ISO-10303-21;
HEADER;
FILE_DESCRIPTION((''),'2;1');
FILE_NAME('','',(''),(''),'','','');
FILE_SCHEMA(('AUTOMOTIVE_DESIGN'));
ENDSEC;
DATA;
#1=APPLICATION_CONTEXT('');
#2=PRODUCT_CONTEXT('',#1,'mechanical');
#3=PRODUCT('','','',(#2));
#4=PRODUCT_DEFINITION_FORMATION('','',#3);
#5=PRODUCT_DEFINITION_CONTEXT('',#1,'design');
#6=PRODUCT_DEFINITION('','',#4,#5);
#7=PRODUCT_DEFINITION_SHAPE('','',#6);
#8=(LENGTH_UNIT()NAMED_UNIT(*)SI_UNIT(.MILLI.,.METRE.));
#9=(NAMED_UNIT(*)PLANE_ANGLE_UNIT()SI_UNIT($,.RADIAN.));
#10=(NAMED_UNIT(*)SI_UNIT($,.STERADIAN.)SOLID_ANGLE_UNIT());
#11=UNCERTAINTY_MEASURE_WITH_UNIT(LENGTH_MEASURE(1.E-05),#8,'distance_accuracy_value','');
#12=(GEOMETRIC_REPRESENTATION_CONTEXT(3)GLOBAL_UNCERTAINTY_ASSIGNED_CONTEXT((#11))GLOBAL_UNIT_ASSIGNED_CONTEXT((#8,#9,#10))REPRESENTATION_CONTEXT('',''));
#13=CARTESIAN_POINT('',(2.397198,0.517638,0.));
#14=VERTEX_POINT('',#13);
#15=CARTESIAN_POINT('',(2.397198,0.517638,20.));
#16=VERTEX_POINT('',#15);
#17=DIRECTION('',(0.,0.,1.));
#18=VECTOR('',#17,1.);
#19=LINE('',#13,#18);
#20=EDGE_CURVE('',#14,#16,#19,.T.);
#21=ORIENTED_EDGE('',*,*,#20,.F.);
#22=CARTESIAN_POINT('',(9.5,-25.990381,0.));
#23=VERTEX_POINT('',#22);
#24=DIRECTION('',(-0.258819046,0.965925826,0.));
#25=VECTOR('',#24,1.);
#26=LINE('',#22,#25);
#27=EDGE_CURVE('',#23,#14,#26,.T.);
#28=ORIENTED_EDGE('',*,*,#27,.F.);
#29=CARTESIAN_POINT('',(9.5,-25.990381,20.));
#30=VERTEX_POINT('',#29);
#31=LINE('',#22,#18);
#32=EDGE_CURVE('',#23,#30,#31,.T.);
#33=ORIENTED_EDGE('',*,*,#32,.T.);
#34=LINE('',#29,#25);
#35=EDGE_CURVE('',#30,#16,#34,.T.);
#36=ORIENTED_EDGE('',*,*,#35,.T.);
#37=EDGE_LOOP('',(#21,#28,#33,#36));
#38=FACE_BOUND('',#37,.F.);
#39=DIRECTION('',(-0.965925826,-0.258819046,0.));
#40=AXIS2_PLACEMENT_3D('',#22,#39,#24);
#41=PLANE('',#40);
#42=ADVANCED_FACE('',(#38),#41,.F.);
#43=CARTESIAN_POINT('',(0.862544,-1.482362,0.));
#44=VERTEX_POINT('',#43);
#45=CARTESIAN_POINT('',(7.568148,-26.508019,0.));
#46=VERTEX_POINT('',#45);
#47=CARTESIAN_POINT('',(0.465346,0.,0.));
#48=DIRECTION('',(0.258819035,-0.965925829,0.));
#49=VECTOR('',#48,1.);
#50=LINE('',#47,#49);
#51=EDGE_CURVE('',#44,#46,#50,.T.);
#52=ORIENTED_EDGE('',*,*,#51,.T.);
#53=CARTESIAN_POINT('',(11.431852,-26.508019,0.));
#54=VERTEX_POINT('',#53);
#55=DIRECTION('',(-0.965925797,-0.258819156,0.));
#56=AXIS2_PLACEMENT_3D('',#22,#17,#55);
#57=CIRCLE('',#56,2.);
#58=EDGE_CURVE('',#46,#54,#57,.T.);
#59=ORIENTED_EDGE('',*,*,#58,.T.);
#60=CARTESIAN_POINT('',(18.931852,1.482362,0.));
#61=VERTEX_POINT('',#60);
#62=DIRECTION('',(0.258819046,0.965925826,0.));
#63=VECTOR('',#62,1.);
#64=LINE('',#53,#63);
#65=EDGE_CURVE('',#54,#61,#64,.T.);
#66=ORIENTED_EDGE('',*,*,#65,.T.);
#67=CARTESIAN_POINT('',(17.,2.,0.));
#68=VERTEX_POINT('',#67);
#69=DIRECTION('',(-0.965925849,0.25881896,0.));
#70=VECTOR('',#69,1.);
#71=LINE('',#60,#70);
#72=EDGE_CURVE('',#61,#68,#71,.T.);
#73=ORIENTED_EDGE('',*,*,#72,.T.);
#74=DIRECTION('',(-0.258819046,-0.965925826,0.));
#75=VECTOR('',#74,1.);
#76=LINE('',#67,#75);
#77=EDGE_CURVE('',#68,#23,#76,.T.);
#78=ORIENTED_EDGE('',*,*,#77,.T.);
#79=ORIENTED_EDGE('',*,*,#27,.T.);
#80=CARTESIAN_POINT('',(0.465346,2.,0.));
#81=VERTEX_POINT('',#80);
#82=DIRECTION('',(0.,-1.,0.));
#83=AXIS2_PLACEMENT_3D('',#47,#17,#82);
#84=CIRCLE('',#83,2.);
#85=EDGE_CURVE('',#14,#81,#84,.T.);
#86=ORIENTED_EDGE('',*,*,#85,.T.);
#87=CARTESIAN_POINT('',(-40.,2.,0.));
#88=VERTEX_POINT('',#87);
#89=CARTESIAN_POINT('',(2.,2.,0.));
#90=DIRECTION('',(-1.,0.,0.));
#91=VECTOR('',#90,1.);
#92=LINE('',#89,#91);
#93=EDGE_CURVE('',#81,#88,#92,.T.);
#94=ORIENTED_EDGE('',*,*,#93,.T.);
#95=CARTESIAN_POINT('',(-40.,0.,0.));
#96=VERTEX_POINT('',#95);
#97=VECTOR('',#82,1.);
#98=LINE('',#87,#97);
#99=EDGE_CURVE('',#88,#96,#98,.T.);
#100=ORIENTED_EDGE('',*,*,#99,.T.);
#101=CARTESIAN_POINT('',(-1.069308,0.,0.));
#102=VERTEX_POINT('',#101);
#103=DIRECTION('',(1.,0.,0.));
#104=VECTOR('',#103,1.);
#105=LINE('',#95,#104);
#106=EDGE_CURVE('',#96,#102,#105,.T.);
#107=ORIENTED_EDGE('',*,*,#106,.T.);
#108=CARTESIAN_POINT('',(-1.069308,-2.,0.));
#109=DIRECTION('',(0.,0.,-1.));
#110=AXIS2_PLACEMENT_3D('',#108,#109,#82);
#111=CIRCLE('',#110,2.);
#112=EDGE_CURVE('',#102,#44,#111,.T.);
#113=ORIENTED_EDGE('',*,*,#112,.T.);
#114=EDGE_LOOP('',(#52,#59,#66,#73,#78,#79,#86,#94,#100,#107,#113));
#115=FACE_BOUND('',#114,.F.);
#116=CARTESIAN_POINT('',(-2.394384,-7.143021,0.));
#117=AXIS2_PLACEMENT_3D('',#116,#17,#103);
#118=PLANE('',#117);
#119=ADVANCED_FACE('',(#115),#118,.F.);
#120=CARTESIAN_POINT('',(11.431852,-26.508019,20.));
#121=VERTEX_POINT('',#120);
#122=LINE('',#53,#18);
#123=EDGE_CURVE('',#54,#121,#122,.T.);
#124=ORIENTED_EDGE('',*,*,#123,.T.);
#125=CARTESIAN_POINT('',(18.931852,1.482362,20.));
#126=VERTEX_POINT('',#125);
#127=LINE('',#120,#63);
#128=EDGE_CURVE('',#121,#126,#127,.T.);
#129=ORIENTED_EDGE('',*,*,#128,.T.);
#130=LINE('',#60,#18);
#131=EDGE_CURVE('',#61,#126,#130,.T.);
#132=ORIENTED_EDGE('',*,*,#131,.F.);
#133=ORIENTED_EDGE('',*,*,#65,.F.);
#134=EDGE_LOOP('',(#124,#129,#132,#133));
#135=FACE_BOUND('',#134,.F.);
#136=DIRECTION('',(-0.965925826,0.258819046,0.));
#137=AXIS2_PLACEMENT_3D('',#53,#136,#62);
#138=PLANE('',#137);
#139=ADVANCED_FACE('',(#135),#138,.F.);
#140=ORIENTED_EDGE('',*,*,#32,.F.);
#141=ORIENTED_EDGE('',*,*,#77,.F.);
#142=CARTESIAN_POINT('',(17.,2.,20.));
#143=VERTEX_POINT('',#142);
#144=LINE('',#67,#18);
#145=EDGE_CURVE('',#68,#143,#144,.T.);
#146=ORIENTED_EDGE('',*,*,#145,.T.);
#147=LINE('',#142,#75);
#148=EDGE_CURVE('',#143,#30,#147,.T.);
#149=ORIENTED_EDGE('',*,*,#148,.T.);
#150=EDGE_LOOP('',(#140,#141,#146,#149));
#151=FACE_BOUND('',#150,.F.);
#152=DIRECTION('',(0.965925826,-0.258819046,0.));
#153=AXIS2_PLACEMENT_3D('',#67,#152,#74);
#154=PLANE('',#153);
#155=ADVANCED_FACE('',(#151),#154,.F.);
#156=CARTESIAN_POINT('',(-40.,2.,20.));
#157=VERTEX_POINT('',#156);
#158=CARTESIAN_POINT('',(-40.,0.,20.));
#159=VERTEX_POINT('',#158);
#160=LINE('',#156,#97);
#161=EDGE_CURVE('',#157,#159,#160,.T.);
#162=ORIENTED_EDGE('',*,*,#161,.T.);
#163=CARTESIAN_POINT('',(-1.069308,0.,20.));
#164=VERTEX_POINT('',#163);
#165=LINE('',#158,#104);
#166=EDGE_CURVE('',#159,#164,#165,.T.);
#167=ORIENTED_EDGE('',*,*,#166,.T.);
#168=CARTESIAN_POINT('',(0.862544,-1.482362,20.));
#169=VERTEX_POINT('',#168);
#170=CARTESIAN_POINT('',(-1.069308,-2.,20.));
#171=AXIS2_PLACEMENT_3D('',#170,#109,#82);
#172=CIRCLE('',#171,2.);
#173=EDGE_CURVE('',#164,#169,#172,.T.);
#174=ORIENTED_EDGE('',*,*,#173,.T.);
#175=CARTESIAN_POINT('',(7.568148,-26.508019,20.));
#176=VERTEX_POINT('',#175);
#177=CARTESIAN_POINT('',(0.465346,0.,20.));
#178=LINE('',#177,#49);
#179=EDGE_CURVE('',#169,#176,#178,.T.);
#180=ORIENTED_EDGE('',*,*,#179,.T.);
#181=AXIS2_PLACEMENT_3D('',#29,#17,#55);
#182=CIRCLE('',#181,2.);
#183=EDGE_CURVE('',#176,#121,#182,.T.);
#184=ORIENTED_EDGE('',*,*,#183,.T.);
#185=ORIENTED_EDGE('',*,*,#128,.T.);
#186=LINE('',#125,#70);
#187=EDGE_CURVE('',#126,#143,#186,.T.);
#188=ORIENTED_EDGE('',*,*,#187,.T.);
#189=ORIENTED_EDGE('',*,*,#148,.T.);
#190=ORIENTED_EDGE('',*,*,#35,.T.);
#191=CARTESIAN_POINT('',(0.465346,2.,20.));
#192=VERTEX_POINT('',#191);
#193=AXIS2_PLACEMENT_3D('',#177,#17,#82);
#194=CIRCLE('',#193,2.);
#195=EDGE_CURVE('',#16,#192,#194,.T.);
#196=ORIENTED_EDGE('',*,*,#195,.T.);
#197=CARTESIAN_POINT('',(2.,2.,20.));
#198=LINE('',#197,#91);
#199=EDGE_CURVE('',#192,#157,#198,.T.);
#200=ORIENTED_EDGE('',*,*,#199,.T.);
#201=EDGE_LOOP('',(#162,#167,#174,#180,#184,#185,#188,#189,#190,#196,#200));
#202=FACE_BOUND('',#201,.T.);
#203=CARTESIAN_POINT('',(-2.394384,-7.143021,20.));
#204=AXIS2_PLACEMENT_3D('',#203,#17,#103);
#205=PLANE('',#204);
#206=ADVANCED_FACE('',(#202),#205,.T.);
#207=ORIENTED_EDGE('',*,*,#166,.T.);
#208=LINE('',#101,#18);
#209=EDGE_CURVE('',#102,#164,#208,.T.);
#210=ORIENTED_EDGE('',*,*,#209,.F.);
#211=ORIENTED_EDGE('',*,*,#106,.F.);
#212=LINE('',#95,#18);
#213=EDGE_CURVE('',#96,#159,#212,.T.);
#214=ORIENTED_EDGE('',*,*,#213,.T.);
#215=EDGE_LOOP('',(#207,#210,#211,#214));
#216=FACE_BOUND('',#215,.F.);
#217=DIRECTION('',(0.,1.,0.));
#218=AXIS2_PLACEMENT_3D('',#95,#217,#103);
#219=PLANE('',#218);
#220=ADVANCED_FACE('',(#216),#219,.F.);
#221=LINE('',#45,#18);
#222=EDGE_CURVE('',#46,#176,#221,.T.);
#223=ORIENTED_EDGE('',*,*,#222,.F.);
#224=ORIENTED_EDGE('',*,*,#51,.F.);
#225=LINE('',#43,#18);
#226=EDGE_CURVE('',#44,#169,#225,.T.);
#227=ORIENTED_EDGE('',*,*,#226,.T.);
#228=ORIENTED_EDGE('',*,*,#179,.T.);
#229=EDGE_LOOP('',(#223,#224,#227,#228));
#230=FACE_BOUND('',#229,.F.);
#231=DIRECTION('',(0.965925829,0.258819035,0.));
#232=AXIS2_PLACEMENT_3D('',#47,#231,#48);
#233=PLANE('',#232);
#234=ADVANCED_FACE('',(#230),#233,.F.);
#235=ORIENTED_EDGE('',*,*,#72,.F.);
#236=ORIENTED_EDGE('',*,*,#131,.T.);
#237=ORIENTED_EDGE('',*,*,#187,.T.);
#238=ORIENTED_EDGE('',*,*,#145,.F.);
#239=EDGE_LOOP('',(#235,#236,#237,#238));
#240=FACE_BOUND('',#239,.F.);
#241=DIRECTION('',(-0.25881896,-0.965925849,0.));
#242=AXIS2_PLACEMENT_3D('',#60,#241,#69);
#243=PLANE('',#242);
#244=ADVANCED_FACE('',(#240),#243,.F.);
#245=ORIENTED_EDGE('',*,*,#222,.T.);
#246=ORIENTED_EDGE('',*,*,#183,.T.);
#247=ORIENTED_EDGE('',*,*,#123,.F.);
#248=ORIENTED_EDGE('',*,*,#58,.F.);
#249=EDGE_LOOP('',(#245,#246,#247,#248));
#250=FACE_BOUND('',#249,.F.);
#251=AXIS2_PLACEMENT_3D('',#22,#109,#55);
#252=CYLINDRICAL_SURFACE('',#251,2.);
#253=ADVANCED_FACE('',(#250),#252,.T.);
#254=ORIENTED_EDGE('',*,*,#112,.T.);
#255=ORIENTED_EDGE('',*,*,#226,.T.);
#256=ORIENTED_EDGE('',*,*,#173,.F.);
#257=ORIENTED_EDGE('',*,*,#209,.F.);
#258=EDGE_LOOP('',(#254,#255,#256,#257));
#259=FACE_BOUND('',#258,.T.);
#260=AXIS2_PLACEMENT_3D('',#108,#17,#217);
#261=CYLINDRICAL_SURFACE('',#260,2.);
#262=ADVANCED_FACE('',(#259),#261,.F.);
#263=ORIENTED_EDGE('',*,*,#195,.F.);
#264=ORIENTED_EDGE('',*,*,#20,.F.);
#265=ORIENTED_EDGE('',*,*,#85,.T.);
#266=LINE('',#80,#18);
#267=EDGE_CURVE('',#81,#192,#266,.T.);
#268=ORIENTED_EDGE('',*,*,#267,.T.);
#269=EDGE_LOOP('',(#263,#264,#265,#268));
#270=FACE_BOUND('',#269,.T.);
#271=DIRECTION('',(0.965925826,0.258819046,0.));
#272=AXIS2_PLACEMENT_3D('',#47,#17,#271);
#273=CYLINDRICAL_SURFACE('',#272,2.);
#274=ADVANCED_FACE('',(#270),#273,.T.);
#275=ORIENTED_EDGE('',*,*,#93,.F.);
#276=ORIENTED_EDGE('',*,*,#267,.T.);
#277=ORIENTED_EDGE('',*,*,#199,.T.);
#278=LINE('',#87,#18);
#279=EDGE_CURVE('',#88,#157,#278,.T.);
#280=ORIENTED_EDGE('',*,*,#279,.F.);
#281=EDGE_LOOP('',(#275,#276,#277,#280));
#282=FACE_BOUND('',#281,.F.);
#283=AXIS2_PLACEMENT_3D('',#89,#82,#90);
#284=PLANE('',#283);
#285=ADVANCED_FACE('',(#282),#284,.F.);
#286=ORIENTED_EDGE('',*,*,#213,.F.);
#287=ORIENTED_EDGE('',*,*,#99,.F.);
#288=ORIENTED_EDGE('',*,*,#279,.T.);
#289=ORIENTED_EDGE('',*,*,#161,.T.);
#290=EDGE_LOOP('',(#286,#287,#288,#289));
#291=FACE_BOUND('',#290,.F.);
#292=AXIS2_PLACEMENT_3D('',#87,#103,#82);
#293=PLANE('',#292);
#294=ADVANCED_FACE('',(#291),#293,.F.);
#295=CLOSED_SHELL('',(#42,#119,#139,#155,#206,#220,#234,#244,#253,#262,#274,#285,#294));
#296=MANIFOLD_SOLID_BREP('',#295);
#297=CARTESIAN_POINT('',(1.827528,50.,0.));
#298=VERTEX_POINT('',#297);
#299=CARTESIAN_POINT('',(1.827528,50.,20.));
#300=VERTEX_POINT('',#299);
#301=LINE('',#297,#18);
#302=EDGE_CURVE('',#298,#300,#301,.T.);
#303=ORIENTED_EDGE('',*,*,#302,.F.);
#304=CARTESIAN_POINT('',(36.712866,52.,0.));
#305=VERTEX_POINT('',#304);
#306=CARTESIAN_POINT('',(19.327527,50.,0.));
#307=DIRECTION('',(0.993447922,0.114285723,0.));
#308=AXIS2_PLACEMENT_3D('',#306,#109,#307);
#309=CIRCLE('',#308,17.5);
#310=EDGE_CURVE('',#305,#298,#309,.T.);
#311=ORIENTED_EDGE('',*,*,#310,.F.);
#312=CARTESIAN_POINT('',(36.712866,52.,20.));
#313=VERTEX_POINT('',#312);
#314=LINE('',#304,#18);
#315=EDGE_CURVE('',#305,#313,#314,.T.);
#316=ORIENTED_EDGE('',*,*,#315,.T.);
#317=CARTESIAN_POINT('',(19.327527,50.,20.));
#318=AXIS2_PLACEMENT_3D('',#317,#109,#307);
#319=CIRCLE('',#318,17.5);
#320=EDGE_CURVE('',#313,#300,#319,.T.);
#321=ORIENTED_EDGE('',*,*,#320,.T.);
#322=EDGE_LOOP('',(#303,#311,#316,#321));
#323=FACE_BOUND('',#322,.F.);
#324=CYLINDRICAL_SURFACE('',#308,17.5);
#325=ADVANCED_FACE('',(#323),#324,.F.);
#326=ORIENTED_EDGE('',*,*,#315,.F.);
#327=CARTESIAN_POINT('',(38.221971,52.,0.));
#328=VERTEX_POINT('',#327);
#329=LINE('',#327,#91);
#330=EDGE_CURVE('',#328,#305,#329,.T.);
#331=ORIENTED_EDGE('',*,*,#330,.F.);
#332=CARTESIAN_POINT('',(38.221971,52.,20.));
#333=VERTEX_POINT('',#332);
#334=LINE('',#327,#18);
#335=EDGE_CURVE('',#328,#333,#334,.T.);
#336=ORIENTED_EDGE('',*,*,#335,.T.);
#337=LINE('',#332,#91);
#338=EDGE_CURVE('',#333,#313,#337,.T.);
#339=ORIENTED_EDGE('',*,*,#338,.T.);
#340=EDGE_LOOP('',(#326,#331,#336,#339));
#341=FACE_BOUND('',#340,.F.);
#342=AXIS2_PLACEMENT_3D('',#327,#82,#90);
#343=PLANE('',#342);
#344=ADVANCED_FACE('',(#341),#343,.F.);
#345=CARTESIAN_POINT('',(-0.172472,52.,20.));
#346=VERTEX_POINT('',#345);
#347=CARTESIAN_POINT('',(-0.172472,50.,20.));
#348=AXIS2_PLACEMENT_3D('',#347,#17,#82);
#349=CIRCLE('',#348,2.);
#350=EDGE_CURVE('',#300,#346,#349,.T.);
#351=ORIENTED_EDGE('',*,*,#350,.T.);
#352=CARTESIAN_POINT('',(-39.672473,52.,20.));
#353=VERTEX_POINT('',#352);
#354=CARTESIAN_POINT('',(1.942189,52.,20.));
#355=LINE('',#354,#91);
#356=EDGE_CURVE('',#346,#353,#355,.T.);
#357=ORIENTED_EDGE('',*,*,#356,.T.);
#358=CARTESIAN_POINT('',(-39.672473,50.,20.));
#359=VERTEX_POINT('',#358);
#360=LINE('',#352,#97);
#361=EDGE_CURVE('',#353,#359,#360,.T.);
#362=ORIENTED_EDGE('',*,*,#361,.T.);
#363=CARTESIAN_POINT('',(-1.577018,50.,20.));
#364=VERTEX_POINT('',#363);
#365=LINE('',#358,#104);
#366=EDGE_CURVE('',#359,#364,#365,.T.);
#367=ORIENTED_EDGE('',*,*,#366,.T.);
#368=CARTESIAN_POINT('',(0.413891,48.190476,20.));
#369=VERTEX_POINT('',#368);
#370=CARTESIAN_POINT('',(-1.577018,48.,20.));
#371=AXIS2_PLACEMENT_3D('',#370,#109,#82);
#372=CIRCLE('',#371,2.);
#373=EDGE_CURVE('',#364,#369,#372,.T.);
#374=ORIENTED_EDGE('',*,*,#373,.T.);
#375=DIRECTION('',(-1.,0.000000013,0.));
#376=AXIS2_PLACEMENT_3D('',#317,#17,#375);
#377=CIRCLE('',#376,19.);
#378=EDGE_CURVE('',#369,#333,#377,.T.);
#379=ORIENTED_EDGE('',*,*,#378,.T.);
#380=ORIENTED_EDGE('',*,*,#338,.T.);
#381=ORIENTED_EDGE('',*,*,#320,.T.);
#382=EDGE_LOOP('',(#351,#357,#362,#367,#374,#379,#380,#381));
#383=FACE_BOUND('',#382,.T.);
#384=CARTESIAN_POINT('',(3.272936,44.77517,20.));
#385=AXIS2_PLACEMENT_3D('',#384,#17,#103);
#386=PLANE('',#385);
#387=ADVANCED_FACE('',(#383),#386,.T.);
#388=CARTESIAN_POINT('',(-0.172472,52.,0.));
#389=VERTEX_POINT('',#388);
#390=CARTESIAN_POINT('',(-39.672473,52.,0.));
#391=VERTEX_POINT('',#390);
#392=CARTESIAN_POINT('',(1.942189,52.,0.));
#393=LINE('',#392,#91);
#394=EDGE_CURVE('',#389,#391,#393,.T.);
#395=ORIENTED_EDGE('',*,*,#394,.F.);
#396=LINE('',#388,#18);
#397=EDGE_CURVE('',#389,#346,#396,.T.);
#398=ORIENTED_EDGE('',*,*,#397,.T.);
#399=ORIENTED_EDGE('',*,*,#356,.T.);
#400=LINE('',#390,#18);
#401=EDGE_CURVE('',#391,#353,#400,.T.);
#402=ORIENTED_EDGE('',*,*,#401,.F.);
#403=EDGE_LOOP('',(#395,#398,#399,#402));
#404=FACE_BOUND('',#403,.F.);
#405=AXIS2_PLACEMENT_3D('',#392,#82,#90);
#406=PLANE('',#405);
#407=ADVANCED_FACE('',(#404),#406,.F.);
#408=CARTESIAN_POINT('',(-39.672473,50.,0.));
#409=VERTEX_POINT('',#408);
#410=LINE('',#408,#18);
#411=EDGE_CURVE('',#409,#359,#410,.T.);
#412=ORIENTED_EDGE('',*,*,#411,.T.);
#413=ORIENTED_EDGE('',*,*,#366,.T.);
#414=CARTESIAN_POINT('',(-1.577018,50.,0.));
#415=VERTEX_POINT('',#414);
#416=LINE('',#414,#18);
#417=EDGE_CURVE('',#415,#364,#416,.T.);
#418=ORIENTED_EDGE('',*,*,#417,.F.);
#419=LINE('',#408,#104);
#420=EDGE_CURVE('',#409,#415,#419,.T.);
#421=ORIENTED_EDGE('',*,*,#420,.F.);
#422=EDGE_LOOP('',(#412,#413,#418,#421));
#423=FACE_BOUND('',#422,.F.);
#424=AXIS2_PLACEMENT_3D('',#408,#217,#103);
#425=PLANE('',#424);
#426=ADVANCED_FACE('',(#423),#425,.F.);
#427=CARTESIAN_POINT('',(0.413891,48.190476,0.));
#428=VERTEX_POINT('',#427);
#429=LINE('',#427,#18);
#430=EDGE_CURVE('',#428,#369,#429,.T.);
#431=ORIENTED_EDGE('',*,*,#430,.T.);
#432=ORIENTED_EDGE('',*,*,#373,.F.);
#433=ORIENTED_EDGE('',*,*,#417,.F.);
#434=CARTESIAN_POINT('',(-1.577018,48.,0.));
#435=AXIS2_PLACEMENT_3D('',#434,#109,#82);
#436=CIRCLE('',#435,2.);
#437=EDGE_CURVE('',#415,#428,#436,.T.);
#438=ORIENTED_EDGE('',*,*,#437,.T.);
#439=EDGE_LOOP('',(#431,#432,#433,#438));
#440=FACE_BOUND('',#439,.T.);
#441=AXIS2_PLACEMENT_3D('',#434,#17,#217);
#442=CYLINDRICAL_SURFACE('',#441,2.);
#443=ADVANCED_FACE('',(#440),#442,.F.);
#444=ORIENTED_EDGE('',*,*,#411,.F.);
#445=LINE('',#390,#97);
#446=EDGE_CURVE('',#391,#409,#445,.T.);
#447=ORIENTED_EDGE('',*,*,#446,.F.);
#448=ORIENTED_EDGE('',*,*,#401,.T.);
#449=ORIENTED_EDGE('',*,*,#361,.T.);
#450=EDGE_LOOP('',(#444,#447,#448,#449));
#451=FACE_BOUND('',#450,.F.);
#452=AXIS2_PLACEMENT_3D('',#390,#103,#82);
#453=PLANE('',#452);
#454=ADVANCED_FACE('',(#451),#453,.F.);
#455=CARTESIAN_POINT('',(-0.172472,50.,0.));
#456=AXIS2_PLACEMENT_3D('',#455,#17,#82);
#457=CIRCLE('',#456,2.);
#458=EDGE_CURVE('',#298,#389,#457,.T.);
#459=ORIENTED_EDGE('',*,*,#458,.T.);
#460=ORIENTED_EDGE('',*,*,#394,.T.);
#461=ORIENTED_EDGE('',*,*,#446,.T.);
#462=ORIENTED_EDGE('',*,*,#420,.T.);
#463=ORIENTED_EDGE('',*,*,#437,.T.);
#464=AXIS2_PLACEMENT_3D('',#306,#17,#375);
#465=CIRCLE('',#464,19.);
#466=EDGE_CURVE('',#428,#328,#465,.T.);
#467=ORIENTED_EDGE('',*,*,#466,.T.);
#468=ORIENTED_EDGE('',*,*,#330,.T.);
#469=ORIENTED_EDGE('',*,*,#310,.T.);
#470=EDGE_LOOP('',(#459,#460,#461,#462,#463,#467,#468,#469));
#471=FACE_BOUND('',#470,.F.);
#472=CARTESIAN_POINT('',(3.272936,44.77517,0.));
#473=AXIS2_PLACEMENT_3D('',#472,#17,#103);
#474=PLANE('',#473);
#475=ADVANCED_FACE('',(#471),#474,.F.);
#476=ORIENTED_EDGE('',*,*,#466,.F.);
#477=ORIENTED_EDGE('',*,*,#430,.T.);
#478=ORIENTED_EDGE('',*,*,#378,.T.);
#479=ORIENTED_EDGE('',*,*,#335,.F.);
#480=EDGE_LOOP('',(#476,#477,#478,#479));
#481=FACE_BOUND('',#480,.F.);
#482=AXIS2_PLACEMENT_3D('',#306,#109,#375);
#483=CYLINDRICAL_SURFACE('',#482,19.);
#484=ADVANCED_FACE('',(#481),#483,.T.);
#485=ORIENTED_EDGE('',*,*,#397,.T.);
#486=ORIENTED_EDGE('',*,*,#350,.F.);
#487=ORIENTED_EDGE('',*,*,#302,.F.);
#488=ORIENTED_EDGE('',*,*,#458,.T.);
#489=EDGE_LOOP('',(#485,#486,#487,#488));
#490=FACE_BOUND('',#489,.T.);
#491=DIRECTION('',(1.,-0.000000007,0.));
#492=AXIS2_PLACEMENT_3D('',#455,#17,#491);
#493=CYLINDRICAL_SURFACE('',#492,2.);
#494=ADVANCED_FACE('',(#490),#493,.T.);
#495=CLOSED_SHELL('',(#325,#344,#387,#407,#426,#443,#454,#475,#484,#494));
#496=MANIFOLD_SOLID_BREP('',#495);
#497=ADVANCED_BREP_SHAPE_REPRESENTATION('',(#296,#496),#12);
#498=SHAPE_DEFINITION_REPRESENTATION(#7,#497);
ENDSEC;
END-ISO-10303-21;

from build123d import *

# Parameters (mm, degrees)
F1_DEPTH = 20
F3_DEPTH = 20
F4_R     = 2
F4_2_R   = 2


with BuildPart() as f1:
    # F0 (on Top) → F1 (new body)
    with BuildSketch(Plane.XY):
        with BuildLine():
            Line((-40, 0), (0, 0))
            Line((0, 0), (0.465346, 0))
            Line((0.465346, 0), (7.568148, -26.508019))
            ThreePointArc((7.568148, -26.508019), (9.5, -27.990381), (11.431852, -26.508019))
            Line((11.431852, -26.508019), (18.931852, 1.482362))
            Line((18.931852, 1.482362), (17, 2))
            Line((17, 2), (9.5, -25.990381))
            Line((9.5, -25.990381), (2, 2))
            Line((2, 2), (-40, 2))
            Line((-40, 2), (-40, 0))
        make_face()
    extrude(amount=F1_DEPTH)

    # F4#2
    f4_2_edges = [f1.edges().sort_by_distance(p)[0] for p in [
        (2, 2, 10),
        (0.465346, 0, 10),
    ]]
    fillet(f4_2_edges, radius=F4_2_R)


with BuildPart() as f3:
    # F2 (on Top) → F3 (new body)
    with BuildSketch(Plane.XY):
        with BuildLine():
            Line((-39.672473, 50), (0.327527, 50))
            ThreePointArc((0.327527, 50), (20.328919, 31.026407), (38.221971, 52))
            Line((38.221971, 52), (36.712866, 52))
            ThreePointArc((36.712866, 52), (19.327527, 32.5), (1.942189, 52))
            Line((1.942189, 52), (-39.672473, 52))
            Line((-39.672473, 52), (-39.672473, 50))
        make_face()
    extrude(amount=F3_DEPTH)

    # F4
    f4_edges = [f3.edges().sort_by_distance(p)[0] for p in [
        (1.942189, 52, 10),
        (0.327527, 50, 10),
    ]]
    fillet(f4_edges, radius=F4_R)


solid = Compound([f1.part, f3.part])
